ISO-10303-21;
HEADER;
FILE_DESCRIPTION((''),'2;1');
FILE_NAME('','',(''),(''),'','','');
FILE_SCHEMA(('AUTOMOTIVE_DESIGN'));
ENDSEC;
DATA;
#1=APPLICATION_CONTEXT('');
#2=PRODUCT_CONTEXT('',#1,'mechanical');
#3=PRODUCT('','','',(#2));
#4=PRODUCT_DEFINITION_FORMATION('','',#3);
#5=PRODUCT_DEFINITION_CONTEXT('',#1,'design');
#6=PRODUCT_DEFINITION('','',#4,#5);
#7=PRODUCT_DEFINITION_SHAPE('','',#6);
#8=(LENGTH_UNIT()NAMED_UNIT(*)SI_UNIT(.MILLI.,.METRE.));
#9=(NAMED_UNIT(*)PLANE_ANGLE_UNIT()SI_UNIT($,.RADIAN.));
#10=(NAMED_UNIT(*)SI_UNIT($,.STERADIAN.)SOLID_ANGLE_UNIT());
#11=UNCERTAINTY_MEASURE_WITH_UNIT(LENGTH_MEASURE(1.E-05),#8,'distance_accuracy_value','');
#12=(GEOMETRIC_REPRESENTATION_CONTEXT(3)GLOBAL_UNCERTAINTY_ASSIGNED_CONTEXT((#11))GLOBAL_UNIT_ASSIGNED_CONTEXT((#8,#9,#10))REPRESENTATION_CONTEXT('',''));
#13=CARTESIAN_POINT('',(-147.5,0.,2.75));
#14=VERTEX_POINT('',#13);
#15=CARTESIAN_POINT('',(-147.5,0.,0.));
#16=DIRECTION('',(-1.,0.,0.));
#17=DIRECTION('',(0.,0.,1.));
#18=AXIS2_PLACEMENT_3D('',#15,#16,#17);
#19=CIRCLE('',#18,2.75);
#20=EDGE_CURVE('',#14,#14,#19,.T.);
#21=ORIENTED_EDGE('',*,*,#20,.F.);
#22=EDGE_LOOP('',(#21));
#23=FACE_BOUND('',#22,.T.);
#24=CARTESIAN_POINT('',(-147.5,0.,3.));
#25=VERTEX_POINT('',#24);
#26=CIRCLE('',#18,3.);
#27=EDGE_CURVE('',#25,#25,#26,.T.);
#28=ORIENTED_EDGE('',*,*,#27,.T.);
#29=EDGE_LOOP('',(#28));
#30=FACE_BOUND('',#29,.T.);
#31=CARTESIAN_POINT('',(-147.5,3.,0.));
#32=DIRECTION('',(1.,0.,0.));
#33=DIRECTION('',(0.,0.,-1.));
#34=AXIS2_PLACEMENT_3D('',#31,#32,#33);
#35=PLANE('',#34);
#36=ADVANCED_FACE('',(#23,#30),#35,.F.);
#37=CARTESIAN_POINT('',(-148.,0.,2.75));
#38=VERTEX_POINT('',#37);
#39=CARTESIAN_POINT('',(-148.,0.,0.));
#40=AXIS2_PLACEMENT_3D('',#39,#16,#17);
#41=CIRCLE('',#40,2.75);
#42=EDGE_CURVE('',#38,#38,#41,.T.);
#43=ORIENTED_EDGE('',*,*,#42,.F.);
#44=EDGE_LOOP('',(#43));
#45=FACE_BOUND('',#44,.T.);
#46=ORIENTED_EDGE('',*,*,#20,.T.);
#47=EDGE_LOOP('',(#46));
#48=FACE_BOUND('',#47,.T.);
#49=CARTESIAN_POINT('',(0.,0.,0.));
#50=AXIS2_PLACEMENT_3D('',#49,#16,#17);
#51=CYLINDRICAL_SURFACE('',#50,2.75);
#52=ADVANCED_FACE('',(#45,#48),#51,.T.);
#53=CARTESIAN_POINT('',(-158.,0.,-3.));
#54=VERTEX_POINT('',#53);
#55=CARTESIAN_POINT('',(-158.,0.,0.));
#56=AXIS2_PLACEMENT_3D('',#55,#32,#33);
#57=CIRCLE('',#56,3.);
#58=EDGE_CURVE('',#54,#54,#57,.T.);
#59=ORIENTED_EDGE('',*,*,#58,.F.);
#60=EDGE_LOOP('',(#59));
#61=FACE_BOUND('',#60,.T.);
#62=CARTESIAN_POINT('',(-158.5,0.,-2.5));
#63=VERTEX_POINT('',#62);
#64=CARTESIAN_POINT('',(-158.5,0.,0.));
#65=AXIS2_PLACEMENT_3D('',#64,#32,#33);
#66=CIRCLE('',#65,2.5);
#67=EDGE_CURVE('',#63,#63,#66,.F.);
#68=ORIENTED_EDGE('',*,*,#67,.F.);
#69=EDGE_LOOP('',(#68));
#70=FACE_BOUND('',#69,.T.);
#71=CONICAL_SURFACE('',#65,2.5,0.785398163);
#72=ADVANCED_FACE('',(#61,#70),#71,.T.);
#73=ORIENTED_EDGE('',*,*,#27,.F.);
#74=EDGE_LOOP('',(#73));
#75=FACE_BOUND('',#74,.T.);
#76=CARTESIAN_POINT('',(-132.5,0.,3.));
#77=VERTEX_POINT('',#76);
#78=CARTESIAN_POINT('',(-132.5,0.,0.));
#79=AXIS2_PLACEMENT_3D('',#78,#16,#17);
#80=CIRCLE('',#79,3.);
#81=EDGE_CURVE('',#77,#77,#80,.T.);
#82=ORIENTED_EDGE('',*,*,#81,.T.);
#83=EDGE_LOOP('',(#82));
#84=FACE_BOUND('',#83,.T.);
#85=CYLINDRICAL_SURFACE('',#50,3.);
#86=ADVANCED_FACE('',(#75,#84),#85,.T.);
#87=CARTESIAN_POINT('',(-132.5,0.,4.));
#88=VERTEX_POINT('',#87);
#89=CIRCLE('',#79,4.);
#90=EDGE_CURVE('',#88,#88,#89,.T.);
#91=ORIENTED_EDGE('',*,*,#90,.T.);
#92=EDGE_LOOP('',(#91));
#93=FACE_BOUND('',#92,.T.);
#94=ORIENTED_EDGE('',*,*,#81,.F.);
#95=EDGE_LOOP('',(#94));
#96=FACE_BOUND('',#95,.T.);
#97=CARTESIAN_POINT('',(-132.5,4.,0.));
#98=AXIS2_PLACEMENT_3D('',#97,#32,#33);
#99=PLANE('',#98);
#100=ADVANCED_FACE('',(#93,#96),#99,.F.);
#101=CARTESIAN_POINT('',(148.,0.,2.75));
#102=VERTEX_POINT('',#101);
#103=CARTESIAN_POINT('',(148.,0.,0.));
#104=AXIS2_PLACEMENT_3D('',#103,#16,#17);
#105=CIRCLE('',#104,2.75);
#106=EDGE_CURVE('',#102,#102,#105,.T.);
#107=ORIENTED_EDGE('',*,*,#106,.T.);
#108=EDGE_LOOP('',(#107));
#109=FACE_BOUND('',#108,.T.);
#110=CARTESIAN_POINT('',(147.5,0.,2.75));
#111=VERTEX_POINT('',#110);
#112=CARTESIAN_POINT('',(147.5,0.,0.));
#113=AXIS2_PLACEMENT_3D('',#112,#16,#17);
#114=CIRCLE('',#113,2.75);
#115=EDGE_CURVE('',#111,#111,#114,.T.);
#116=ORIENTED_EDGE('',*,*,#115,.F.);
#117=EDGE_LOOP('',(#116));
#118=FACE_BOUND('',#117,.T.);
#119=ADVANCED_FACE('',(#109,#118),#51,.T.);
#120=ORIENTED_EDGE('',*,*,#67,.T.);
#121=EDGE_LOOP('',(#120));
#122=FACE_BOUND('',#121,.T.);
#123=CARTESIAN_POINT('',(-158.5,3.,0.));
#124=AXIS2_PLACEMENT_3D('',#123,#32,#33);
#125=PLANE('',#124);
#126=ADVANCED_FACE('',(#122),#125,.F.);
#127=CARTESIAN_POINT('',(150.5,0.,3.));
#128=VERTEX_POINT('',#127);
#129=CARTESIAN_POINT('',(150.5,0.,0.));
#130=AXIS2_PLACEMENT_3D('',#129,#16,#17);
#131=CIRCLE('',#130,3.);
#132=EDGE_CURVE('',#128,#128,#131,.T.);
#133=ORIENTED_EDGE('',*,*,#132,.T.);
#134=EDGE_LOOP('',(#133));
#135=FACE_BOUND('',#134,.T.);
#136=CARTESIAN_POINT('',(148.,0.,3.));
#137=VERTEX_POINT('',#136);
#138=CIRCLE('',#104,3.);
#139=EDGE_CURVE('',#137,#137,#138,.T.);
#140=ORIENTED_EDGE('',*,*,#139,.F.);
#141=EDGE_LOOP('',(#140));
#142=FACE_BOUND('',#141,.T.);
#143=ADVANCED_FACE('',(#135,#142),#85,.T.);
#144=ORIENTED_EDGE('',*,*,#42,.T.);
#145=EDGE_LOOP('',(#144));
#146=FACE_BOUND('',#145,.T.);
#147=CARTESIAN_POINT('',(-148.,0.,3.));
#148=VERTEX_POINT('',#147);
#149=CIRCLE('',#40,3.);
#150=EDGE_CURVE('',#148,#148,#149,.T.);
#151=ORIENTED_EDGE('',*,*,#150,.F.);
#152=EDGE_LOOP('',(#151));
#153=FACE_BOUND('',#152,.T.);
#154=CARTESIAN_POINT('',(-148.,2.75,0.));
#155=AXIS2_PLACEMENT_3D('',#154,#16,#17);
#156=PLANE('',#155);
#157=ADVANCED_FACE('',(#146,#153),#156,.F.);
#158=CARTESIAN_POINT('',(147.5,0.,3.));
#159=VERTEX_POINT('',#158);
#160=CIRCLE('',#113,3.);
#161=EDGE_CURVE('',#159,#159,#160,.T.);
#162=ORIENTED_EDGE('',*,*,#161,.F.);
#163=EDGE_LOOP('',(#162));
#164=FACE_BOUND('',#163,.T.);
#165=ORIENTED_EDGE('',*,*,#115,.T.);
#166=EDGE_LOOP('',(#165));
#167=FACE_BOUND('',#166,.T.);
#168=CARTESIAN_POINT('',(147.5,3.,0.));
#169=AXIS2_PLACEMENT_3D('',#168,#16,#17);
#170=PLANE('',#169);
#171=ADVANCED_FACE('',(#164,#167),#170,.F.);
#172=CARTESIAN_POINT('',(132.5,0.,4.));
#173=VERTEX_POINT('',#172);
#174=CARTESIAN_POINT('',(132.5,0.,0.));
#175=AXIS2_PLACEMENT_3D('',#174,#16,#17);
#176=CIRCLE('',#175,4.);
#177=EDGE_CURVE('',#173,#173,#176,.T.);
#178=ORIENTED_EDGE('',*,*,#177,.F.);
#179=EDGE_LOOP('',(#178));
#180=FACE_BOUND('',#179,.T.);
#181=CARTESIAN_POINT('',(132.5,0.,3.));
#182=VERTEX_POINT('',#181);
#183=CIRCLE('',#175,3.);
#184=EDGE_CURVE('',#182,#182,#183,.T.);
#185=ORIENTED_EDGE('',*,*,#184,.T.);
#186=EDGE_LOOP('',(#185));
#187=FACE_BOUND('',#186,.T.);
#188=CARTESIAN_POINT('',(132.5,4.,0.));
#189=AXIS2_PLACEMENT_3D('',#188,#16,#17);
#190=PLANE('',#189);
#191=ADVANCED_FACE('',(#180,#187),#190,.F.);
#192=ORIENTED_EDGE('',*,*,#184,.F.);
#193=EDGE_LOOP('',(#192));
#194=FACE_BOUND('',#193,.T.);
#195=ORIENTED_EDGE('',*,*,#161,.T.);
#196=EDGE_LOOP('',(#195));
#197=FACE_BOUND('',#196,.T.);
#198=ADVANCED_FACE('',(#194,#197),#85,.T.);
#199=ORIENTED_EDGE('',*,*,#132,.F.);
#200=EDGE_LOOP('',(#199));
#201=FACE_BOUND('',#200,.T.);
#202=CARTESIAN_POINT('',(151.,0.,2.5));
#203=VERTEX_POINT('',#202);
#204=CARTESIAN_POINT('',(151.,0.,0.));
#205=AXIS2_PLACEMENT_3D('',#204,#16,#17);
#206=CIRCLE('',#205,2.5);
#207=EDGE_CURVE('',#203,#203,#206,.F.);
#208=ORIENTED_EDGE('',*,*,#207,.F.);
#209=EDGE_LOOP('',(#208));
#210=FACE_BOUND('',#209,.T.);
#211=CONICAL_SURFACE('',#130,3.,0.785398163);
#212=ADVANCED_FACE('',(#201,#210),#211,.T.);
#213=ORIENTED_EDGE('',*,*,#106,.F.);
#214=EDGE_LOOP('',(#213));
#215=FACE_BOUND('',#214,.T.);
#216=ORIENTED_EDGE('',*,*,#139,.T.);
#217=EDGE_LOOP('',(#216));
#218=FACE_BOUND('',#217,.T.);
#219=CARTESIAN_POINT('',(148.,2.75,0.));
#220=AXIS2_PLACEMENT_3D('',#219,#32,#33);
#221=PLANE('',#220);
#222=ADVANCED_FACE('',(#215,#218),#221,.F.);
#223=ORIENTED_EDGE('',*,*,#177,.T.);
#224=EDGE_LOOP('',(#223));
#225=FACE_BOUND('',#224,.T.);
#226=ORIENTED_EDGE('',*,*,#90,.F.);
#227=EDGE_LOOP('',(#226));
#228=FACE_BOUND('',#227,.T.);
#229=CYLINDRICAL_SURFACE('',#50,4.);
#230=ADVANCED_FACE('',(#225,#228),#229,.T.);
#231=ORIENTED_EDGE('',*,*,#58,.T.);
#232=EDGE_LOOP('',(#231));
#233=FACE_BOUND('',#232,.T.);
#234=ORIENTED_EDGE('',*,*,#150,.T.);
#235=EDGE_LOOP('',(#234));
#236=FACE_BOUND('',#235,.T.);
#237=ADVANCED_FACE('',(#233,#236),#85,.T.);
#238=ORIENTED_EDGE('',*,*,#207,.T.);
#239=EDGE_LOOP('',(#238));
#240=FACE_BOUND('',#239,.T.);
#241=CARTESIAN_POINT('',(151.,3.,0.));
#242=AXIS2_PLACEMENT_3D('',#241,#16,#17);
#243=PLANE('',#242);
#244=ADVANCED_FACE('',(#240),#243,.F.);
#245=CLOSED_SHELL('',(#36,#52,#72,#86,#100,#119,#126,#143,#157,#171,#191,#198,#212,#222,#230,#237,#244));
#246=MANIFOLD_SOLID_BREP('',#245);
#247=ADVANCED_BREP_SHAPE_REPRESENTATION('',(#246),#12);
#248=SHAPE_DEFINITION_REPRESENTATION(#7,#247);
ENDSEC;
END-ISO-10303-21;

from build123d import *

# Parameters (mm, degrees)
CHAMFER_1_SIZE = 0.5


with BuildPart() as part:
    # 草图1 → 旋转1 (revolve)
    with BuildSketch(Plane.XY, mode=Mode.PRIVATE) as revolve_1_sk:
        Polygon((-132.5, 4), (132.5, 4), (132.5, 3), (147.5, 3), (147.5, 2.75), (148, 2.75), (148, 3), (151, 3), (151, 0), (-158.5, 0), (-158.5, 3), (-148, 3), (-148, 2.75), (-147.5, 2.75), (-147.5, 3), (-132.5, 3), align=None)
    revolve(revolve_1_sk.sketch.rotate(Axis((0, 0, 0), (1, 0, 0)), 90), axis=Axis((0, 0, 0), (1, 0, 0)))

    # 倒角1
    chamfer_1_edges = [part.edges().sort_by_distance(p)[0] for p in [
        (151, 0, -3),
        (-158.5, 0, -3),
    ]]
    chamfer(chamfer_1_edges, length=CHAMFER_1_SIZE)


solid = part.part
